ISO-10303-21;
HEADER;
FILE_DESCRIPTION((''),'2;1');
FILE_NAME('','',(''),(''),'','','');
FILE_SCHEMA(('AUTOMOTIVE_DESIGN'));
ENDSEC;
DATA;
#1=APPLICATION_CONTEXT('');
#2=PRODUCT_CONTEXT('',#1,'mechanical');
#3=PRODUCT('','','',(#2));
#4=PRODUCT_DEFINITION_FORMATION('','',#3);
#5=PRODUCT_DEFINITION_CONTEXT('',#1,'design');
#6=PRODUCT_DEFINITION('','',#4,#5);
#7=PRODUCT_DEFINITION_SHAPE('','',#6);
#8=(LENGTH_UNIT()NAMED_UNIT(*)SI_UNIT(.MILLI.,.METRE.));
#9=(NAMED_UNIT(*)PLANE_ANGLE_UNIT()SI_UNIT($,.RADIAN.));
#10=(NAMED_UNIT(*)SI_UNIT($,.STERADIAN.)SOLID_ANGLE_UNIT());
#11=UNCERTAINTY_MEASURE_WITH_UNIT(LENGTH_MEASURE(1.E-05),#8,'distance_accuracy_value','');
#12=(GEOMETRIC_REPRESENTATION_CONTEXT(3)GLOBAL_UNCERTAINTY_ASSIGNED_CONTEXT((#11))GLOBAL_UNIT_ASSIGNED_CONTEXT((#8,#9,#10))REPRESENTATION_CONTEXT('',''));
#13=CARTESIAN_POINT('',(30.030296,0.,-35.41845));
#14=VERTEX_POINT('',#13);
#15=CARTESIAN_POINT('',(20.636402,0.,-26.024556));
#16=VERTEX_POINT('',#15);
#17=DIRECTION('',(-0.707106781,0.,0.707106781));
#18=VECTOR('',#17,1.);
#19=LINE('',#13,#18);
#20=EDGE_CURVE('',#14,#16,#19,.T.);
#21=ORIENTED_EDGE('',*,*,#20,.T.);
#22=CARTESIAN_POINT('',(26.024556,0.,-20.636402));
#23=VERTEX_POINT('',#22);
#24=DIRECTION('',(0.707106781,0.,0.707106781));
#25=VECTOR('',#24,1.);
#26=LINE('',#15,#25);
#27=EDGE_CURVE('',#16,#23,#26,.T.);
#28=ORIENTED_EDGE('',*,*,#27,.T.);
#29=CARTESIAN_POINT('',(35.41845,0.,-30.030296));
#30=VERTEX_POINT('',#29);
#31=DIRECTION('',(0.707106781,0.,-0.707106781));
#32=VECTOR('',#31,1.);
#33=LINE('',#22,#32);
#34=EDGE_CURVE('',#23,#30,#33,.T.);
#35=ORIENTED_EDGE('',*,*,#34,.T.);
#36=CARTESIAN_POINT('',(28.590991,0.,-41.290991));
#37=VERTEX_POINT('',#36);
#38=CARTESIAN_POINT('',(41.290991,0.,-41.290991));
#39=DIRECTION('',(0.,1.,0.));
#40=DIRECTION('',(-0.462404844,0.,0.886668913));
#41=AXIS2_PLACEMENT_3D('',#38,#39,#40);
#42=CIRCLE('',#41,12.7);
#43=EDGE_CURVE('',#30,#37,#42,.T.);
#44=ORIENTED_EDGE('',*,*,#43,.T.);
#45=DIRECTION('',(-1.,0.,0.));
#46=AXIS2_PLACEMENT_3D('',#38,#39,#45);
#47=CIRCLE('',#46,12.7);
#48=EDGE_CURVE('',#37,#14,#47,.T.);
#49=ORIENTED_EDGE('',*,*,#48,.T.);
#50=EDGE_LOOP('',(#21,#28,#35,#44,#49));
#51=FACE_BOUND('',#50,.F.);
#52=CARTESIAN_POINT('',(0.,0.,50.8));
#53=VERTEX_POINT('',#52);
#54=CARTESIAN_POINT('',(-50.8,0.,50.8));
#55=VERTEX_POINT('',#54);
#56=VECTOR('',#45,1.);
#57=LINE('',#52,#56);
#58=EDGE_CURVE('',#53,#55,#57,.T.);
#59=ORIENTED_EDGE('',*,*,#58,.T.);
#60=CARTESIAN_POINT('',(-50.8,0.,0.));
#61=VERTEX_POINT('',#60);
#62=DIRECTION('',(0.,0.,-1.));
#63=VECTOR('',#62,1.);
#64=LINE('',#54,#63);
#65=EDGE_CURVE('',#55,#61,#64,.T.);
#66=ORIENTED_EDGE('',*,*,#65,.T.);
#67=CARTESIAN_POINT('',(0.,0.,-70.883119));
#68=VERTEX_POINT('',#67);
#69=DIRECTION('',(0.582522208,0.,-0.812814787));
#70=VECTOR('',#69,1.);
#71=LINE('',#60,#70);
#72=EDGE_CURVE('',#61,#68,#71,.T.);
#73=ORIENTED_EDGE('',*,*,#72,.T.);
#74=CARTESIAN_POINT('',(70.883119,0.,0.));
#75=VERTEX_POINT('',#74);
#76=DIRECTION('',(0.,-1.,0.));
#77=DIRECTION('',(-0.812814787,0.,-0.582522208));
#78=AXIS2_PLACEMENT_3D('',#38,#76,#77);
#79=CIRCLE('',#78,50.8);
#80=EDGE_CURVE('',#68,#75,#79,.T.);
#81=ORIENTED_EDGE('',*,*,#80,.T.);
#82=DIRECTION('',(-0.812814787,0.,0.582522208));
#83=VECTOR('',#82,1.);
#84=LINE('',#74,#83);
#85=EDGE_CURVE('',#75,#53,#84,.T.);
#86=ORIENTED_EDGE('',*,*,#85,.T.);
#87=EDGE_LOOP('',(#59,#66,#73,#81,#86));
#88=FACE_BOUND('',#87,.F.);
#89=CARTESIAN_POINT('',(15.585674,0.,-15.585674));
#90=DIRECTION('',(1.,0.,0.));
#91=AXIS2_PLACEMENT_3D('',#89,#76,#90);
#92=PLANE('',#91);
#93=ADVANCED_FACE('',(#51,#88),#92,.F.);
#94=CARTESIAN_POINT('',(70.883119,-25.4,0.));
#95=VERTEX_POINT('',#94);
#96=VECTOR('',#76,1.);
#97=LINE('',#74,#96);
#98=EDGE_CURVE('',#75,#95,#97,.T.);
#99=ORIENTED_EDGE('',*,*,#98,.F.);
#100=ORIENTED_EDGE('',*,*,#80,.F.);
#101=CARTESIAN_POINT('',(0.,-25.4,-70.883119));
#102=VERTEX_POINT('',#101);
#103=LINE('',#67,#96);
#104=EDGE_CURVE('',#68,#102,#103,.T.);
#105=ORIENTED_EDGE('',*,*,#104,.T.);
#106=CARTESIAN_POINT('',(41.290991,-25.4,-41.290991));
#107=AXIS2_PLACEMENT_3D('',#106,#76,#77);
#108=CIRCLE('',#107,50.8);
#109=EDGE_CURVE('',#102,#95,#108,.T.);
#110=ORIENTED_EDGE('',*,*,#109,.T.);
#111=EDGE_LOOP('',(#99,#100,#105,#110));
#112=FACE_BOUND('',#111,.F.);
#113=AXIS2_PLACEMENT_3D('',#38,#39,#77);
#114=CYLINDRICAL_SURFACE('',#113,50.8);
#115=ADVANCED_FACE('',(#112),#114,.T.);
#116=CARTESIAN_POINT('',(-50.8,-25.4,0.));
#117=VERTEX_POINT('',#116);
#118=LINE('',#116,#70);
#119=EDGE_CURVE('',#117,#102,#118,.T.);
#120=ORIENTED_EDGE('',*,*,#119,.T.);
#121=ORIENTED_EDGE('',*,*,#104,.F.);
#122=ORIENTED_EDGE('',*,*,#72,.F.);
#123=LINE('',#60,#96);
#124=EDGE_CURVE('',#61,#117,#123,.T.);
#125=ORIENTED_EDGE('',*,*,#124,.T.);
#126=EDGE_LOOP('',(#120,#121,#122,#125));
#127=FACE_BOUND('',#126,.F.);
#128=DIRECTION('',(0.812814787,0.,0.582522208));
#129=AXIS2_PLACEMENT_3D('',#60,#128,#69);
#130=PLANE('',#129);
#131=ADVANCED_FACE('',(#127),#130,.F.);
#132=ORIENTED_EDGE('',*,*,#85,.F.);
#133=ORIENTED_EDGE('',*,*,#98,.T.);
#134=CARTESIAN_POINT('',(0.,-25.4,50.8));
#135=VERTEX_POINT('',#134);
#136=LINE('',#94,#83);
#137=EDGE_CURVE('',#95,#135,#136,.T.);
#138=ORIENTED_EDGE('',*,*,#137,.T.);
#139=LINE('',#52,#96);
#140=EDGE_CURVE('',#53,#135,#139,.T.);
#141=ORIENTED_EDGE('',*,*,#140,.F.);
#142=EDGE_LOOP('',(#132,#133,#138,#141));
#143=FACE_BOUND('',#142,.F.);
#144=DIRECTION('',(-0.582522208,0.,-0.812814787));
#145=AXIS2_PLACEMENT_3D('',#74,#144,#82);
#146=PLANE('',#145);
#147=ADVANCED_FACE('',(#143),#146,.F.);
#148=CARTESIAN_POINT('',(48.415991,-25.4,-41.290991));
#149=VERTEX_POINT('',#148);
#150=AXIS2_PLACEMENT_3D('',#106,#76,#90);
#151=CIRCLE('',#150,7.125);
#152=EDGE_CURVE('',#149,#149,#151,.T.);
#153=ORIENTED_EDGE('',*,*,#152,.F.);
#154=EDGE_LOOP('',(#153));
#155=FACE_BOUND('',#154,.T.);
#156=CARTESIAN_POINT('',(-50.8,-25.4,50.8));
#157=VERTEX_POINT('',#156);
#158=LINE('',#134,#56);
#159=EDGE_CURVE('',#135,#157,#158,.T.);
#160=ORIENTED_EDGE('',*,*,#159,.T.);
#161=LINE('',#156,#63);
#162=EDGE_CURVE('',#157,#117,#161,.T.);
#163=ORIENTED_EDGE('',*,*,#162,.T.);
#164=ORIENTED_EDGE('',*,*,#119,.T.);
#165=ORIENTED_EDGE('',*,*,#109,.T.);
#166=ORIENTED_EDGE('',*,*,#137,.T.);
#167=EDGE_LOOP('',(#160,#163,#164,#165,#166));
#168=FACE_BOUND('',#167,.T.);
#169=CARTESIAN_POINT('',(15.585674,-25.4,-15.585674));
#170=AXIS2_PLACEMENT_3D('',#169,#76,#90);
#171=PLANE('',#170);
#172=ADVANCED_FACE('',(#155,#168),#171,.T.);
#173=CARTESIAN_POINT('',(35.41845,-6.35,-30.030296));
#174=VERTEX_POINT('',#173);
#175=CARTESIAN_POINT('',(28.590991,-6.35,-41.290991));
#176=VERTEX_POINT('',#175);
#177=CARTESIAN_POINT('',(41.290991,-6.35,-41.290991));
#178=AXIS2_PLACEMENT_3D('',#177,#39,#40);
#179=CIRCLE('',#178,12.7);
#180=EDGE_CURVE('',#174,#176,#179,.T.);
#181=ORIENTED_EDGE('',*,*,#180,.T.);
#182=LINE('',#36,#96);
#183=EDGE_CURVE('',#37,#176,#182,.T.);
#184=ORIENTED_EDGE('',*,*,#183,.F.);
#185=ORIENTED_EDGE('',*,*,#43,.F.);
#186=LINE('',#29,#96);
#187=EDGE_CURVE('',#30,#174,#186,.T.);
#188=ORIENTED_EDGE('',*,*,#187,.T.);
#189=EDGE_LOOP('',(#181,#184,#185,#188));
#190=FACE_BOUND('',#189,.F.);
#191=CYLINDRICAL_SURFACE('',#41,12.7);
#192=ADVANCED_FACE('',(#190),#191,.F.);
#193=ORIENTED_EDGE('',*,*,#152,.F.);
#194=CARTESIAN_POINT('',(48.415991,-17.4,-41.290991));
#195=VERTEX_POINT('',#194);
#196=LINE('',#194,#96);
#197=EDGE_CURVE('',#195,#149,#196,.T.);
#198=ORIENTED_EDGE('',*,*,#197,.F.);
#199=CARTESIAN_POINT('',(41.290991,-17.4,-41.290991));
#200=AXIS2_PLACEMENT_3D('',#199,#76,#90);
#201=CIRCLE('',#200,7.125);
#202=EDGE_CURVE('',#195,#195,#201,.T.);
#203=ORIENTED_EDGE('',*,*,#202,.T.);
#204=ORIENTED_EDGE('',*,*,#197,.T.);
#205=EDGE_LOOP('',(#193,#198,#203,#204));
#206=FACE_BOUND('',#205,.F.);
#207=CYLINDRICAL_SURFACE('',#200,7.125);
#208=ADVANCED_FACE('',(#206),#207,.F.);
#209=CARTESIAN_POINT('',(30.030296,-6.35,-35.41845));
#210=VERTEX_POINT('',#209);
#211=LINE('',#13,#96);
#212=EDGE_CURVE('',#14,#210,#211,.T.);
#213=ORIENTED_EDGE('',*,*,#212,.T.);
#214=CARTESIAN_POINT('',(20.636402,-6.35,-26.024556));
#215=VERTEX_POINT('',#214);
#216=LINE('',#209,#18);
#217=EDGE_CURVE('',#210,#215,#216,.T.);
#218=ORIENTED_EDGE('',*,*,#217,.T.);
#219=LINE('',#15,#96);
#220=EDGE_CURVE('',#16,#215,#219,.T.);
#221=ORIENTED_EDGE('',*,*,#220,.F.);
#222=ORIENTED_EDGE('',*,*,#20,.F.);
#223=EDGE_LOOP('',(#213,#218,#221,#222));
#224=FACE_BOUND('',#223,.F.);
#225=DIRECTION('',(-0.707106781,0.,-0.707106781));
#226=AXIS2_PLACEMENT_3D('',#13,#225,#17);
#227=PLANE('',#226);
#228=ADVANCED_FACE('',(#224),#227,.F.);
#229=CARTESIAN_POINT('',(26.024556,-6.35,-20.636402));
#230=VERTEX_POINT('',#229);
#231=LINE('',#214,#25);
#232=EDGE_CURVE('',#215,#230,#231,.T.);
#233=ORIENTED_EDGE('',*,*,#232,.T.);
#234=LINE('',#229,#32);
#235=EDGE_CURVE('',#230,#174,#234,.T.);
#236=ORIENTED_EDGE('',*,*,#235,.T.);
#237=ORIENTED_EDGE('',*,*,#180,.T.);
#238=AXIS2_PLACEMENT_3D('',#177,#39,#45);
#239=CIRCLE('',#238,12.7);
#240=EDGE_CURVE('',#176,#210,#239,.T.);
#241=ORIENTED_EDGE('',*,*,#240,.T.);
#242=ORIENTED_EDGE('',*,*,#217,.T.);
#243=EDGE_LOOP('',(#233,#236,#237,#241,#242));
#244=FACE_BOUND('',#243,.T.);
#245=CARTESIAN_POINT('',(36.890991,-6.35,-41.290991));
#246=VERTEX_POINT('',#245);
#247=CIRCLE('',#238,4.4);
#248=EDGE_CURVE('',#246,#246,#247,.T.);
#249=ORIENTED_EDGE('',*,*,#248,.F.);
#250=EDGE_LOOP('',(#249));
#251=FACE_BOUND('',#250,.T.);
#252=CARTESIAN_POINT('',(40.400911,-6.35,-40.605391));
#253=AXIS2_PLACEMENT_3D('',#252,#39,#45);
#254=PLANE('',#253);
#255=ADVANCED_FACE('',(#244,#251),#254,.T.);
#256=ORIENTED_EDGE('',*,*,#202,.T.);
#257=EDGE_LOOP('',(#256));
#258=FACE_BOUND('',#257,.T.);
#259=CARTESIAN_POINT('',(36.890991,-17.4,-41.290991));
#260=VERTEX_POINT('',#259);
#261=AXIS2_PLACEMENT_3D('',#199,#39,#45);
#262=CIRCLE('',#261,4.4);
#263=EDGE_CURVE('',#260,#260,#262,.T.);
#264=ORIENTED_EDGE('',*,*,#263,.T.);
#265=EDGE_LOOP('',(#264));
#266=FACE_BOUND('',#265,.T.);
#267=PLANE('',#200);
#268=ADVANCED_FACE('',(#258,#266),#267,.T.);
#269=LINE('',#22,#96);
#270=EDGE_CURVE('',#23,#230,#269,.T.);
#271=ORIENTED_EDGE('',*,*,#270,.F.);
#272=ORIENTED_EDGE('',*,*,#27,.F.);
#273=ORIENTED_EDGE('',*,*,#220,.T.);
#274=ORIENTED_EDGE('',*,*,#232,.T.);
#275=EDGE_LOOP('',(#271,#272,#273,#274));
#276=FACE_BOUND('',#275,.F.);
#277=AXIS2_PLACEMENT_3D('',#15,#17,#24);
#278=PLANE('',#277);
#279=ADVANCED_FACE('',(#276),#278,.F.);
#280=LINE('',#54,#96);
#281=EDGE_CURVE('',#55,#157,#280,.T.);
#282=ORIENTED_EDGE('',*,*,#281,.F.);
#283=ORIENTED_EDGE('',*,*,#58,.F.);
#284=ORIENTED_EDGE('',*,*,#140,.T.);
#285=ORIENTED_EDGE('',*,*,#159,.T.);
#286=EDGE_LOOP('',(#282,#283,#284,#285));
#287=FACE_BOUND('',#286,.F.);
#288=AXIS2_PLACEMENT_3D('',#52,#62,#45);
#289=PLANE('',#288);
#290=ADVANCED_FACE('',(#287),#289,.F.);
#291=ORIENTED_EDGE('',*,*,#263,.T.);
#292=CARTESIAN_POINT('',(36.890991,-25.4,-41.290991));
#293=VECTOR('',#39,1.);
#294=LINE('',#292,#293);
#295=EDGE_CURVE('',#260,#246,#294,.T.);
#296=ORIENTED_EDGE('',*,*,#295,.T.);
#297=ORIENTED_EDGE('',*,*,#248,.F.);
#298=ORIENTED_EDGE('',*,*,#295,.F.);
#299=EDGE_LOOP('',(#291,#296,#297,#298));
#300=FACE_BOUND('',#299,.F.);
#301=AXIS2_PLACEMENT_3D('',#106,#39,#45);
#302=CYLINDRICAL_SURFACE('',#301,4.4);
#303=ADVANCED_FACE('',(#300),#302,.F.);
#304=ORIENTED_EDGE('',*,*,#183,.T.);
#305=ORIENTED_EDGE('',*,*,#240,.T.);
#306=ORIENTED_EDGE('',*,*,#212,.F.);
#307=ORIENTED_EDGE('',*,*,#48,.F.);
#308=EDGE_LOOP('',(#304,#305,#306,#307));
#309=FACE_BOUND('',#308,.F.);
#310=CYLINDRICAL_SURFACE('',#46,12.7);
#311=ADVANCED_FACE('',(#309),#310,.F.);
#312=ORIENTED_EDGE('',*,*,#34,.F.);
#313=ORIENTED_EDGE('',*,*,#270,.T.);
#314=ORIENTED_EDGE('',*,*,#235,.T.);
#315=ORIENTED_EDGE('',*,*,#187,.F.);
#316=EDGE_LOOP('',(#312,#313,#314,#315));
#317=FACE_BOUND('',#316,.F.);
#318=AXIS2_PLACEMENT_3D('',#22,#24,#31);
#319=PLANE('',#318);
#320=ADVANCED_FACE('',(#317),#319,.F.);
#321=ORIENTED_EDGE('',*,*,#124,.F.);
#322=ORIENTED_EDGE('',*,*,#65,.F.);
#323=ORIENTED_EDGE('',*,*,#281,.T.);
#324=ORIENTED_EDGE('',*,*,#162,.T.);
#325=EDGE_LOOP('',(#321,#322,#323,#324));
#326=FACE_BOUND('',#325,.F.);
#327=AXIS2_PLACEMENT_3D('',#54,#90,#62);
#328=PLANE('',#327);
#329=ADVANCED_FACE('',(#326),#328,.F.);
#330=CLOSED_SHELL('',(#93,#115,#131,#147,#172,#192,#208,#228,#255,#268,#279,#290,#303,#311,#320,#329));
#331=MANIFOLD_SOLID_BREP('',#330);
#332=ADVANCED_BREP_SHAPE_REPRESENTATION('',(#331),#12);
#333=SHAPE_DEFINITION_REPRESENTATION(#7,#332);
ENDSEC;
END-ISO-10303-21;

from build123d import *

# Parameters (mm, degrees)
F1_DEPTH       = 25.4
F3_D           = 8.8
F3_CBORE_D     = 14.25
F3_CBORE_DEPTH = 8
F5_DEPTH       = 6.35


with BuildPart() as f1:
    # F0 (on Front) → F1 (new body)
    with BuildSketch(Plane.XZ):
        with BuildLine():
            Line((-50.8, 50.8), (-50.8, 0))
            Line((-50.8, 0), (0, -70.8831193189))
            ThreePointArc((0, -70.8831193189), (77.2120156464, -77.2120156464), (70.8831193189, 0))
            Line((70.8831193189, 0), (0, 50.8))
            Line((0, 50.8), (-50.8, 50.8))
        make_face()
    extrude(amount=F1_DEPTH)

    # F3 (through all)
    with Locations(Plane.XZ.offset(25.4)):
        with Locations((41.2909911622, -41.2909911622)):
            CounterBoreHole(F3_D / 2, F3_CBORE_D / 2, F3_CBORE_DEPTH)

    # F4 (on face) → F5 (cut)
    with BuildSketch(Plane(origin=(0, 0, 0), x_dir=(-1, 0, 0), z_dir=(0, 1, 0))):
        with BuildLine():
            ThreePointArc((-35.4184496458, -30.0302959732), (-52.150808777, -47.8753940486), (-28.5909911622, -41.2909911622))
            ThreePointArc((-28.5909911622, -41.2909911622), (-28.9560645531, -38.2678164153), (-30.0302959732, -35.4184496458))
            Line((-30.0302959732, -35.4184496458), (-38.5969143258, -43.9850679985))
            Line((-38.5969143258, -43.9850679985), (-43.9850679985, -38.5969143258))
            Line((-43.9850679985, -38.5969143258), (-35.4184496458, -30.0302959732))
        make_face()
        with BuildLine():
            Line((-38.5969143258, -43.9850679985), (-30.0302959732, -35.4184496458))
            ThreePointArc((-30.0302959732, -35.4184496458), (-32.3107350411, -32.3107350411), (-35.4184496458, -30.0302959732))
            Line((-35.4184496458, -30.0302959732), (-43.9850679985, -38.5969143258))
            Line((-43.9850679985, -38.5969143258), (-38.5969143258, -43.9850679985))
        make_face()
        with BuildLine():
            ThreePointArc((-35.4184496458, -30.0302959732), (-32.3107350411, -32.3107350411), (-30.0302959732, -35.4184496458))
            Line((-30.0302959732, -35.4184496458), (-20.6364020837, -26.0245557563))
            Line((-20.6364020837, -26.0245557563), (-26.0245557563, -20.6364020837))
            Line((-26.0245557563, -20.6364020837), (-35.4184496458, -30.0302959732))
        make_face()
    extrude(amount=-F5_DEPTH, mode=Mode.SUBTRACT)


solid = f1.part
